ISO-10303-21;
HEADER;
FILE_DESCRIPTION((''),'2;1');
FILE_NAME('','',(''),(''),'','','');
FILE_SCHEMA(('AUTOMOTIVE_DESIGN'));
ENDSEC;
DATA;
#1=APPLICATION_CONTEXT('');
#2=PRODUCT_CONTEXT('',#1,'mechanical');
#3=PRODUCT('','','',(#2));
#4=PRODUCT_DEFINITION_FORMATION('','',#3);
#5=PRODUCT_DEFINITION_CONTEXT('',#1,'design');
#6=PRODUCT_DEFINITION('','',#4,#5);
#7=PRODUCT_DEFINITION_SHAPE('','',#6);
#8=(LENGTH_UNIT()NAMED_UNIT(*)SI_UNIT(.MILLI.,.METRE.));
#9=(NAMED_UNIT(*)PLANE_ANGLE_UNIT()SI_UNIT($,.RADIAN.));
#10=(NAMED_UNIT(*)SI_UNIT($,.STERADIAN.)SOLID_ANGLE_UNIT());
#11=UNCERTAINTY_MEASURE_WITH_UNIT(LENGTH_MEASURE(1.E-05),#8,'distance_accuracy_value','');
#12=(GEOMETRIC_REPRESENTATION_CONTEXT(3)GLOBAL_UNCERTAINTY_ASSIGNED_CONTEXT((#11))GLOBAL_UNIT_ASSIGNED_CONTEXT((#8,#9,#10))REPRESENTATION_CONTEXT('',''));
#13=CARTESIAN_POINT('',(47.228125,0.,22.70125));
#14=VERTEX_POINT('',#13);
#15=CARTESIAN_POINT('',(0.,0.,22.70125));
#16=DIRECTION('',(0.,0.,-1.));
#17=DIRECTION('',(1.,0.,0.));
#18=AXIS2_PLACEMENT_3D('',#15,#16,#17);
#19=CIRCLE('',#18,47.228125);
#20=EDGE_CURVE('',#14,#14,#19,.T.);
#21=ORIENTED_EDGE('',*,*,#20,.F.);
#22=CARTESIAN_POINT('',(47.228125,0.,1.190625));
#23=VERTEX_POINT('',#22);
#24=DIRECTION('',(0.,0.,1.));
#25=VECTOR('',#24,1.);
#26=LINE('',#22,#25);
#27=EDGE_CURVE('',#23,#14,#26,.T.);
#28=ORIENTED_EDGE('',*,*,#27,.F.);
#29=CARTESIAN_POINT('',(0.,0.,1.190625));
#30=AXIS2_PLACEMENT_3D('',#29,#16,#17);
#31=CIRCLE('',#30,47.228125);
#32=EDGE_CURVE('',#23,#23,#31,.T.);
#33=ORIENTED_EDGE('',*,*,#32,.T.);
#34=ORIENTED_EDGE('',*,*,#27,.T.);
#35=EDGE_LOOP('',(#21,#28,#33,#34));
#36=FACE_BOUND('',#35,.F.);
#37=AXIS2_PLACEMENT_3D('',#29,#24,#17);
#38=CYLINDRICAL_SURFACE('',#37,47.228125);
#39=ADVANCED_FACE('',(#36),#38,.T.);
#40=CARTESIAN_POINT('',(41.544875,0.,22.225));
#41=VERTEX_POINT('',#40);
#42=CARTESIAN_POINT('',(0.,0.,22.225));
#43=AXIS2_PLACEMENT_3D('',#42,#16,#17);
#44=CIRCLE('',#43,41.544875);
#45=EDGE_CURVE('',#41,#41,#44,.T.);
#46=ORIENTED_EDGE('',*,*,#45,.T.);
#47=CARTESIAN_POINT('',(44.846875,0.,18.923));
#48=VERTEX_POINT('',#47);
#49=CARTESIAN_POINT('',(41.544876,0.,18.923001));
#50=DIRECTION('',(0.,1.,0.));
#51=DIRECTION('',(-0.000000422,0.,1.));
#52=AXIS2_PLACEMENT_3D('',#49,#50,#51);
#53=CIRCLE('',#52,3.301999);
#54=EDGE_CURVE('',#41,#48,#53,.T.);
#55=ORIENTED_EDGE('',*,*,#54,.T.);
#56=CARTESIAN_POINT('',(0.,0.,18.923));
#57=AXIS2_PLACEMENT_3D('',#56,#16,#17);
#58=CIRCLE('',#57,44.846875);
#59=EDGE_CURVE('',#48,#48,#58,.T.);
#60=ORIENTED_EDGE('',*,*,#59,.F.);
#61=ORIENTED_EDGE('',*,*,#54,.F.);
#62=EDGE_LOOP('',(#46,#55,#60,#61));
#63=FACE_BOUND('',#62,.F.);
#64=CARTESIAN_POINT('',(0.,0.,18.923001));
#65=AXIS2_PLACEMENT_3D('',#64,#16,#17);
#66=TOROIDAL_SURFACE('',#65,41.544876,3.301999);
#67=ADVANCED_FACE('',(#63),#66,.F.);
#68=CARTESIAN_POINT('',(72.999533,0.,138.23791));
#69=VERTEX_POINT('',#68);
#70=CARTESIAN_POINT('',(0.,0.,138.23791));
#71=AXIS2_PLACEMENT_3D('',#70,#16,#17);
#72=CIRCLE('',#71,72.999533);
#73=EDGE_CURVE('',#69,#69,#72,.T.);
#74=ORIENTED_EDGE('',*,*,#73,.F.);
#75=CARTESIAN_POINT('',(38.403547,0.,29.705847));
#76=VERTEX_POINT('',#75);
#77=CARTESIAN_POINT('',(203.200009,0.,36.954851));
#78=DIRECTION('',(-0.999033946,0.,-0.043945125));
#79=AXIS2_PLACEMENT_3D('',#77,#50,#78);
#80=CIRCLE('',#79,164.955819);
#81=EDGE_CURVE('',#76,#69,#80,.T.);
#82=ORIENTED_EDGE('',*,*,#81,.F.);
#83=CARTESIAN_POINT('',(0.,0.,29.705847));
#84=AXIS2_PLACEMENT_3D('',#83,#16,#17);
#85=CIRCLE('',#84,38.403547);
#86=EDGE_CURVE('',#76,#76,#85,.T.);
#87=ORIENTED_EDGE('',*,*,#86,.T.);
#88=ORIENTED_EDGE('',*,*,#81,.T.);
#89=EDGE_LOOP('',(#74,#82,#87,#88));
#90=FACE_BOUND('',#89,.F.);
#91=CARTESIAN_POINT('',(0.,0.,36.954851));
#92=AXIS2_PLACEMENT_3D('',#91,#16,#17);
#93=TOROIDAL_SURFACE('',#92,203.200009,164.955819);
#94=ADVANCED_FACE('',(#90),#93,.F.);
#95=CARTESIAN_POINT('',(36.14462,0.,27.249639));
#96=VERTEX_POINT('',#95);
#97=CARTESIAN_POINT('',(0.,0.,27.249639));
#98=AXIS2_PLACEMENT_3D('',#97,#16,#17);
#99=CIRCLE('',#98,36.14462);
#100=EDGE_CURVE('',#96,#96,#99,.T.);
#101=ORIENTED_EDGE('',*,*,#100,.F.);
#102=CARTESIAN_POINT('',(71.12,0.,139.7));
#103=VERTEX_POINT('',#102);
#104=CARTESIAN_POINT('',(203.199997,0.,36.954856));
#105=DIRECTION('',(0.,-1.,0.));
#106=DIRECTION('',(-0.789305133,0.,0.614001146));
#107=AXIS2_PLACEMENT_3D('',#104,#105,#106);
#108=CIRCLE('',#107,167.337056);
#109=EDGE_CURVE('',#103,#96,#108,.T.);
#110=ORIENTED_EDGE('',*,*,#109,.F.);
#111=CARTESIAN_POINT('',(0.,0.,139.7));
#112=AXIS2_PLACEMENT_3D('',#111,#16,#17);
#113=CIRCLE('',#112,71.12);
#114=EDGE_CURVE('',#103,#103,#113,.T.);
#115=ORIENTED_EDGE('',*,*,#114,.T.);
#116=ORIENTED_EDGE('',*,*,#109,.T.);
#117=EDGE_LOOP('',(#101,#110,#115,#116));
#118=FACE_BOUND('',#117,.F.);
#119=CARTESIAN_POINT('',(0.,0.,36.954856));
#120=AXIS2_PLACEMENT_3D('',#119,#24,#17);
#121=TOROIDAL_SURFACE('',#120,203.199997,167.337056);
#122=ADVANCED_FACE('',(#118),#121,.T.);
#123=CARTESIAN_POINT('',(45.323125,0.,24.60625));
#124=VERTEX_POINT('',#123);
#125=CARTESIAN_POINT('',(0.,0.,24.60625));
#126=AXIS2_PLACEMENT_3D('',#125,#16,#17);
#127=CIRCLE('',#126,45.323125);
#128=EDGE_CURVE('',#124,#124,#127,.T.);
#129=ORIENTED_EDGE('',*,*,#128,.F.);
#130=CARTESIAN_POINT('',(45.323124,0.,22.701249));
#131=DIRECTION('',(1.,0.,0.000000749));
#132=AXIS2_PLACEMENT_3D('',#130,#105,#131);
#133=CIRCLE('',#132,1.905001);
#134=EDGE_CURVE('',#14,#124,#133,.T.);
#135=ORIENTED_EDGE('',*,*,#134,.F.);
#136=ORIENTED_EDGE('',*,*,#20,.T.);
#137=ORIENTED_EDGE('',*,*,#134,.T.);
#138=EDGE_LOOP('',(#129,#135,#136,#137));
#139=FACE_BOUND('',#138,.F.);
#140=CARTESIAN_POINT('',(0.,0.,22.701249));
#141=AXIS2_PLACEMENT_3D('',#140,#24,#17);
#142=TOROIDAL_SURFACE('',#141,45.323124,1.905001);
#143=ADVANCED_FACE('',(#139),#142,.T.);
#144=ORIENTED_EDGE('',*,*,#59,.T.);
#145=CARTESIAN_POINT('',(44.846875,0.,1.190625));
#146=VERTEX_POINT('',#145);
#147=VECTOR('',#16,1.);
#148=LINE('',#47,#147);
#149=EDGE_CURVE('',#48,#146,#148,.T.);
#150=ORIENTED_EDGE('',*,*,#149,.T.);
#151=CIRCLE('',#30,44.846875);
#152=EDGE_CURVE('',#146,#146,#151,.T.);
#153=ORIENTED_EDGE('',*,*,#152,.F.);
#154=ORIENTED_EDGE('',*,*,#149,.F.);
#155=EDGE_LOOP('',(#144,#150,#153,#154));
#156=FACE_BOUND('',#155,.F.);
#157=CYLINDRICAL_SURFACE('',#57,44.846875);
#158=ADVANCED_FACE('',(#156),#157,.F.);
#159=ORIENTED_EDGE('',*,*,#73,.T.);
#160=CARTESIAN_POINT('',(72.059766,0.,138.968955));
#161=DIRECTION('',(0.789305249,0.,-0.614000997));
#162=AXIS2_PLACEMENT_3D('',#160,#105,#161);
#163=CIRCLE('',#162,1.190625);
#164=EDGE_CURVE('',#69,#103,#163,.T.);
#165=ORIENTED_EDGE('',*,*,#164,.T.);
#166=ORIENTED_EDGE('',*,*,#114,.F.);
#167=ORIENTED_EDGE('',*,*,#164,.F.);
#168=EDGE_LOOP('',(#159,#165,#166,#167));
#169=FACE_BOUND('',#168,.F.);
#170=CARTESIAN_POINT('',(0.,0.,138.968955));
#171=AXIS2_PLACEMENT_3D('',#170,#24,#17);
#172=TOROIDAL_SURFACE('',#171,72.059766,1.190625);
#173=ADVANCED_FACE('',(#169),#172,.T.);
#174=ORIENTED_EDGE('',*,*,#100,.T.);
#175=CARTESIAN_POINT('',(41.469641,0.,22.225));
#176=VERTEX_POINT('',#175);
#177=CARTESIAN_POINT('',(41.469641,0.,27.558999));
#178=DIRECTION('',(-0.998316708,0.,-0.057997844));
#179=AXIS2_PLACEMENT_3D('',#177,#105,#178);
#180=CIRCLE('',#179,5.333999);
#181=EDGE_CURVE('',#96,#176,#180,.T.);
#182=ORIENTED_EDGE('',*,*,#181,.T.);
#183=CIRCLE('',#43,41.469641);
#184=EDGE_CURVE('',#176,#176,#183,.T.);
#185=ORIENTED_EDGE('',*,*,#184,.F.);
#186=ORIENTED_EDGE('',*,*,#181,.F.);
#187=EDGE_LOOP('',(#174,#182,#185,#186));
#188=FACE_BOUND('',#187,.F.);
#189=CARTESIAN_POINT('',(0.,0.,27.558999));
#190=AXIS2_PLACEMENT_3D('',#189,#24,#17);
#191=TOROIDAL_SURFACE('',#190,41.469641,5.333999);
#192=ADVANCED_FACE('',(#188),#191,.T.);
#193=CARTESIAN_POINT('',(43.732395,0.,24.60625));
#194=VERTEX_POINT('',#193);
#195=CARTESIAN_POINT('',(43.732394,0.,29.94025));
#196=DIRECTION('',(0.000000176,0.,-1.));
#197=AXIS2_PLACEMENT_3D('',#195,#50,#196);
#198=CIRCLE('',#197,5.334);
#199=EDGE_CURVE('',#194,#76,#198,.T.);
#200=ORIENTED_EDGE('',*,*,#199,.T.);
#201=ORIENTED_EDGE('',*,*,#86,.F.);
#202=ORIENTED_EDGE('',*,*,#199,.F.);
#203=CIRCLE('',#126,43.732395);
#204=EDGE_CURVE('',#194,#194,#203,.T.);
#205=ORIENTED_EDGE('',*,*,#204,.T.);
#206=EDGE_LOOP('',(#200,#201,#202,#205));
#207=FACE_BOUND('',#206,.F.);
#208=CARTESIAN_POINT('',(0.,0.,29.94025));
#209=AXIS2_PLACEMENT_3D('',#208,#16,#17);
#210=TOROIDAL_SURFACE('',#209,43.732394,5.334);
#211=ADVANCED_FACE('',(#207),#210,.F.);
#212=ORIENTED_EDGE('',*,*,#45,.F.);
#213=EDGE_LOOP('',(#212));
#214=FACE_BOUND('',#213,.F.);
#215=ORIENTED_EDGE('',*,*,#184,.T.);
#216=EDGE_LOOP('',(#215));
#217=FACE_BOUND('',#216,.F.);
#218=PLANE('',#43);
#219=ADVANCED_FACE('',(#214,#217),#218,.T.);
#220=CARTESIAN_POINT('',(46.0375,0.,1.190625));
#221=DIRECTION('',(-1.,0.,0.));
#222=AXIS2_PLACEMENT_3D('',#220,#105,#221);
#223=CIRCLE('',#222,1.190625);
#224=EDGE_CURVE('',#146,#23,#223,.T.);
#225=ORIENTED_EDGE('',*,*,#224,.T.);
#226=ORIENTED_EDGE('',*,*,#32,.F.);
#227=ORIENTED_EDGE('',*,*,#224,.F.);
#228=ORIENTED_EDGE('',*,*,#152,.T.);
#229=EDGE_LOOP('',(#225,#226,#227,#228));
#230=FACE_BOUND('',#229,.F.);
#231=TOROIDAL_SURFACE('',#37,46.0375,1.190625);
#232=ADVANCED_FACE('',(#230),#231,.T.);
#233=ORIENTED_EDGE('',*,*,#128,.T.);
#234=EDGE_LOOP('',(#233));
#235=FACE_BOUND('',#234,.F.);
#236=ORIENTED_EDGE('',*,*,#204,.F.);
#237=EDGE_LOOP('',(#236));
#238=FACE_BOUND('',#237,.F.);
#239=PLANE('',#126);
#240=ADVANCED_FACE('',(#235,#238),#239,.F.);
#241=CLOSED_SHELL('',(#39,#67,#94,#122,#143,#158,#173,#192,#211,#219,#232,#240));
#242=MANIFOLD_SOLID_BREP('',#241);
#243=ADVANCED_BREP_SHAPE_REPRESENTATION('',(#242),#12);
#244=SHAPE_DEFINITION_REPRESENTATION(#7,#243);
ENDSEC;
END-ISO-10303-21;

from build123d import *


with BuildPart() as f1:
    # F0 (on Front) → F1 (revolve)
    with BuildSketch(Plane.XZ):
        with BuildLine():
            Line((44.846875, 18.923), (44.846875, 1.190625))
            ThreePointArc((44.846875, 1.190625), (46.0375, 0), (47.228125, 1.190625))
            Line((47.228125, 1.190625), (47.228125, 22.70125))
            ThreePointArc((47.228125, 22.70125), (46.670163, 24.048288), (45.323125, 24.60625))
            Line((45.323125, 24.60625), (43.732395, 24.60625))
            ThreePointArc((43.732395, 24.60625), (40.044492, 26.086559), (38.403547, 29.705847))
            ThreePointArc((38.403547, 29.705847), (46.035762, 87.052969), (72.999533, 138.23791))
            ThreePointArc((72.999533, 138.23791), (72.790812, 139.908721), (71.12, 139.7))
            ThreePointArc((71.12, 139.7), (43.413377, 86.653209), (36.14462, 27.249639))
            ThreePointArc((36.14462, 27.249639), (37.808943, 23.679458), (41.469641, 22.225))
            Line((41.469641, 22.225), (41.544875, 22.225))
            ThreePointArc((41.544875, 22.225), (43.879742, 21.257867), (44.846875, 18.923))
        make_face()
    revolve(axis=Axis((0, 0, 37.16765), (0, 0, -1)))


solid = f1.part
